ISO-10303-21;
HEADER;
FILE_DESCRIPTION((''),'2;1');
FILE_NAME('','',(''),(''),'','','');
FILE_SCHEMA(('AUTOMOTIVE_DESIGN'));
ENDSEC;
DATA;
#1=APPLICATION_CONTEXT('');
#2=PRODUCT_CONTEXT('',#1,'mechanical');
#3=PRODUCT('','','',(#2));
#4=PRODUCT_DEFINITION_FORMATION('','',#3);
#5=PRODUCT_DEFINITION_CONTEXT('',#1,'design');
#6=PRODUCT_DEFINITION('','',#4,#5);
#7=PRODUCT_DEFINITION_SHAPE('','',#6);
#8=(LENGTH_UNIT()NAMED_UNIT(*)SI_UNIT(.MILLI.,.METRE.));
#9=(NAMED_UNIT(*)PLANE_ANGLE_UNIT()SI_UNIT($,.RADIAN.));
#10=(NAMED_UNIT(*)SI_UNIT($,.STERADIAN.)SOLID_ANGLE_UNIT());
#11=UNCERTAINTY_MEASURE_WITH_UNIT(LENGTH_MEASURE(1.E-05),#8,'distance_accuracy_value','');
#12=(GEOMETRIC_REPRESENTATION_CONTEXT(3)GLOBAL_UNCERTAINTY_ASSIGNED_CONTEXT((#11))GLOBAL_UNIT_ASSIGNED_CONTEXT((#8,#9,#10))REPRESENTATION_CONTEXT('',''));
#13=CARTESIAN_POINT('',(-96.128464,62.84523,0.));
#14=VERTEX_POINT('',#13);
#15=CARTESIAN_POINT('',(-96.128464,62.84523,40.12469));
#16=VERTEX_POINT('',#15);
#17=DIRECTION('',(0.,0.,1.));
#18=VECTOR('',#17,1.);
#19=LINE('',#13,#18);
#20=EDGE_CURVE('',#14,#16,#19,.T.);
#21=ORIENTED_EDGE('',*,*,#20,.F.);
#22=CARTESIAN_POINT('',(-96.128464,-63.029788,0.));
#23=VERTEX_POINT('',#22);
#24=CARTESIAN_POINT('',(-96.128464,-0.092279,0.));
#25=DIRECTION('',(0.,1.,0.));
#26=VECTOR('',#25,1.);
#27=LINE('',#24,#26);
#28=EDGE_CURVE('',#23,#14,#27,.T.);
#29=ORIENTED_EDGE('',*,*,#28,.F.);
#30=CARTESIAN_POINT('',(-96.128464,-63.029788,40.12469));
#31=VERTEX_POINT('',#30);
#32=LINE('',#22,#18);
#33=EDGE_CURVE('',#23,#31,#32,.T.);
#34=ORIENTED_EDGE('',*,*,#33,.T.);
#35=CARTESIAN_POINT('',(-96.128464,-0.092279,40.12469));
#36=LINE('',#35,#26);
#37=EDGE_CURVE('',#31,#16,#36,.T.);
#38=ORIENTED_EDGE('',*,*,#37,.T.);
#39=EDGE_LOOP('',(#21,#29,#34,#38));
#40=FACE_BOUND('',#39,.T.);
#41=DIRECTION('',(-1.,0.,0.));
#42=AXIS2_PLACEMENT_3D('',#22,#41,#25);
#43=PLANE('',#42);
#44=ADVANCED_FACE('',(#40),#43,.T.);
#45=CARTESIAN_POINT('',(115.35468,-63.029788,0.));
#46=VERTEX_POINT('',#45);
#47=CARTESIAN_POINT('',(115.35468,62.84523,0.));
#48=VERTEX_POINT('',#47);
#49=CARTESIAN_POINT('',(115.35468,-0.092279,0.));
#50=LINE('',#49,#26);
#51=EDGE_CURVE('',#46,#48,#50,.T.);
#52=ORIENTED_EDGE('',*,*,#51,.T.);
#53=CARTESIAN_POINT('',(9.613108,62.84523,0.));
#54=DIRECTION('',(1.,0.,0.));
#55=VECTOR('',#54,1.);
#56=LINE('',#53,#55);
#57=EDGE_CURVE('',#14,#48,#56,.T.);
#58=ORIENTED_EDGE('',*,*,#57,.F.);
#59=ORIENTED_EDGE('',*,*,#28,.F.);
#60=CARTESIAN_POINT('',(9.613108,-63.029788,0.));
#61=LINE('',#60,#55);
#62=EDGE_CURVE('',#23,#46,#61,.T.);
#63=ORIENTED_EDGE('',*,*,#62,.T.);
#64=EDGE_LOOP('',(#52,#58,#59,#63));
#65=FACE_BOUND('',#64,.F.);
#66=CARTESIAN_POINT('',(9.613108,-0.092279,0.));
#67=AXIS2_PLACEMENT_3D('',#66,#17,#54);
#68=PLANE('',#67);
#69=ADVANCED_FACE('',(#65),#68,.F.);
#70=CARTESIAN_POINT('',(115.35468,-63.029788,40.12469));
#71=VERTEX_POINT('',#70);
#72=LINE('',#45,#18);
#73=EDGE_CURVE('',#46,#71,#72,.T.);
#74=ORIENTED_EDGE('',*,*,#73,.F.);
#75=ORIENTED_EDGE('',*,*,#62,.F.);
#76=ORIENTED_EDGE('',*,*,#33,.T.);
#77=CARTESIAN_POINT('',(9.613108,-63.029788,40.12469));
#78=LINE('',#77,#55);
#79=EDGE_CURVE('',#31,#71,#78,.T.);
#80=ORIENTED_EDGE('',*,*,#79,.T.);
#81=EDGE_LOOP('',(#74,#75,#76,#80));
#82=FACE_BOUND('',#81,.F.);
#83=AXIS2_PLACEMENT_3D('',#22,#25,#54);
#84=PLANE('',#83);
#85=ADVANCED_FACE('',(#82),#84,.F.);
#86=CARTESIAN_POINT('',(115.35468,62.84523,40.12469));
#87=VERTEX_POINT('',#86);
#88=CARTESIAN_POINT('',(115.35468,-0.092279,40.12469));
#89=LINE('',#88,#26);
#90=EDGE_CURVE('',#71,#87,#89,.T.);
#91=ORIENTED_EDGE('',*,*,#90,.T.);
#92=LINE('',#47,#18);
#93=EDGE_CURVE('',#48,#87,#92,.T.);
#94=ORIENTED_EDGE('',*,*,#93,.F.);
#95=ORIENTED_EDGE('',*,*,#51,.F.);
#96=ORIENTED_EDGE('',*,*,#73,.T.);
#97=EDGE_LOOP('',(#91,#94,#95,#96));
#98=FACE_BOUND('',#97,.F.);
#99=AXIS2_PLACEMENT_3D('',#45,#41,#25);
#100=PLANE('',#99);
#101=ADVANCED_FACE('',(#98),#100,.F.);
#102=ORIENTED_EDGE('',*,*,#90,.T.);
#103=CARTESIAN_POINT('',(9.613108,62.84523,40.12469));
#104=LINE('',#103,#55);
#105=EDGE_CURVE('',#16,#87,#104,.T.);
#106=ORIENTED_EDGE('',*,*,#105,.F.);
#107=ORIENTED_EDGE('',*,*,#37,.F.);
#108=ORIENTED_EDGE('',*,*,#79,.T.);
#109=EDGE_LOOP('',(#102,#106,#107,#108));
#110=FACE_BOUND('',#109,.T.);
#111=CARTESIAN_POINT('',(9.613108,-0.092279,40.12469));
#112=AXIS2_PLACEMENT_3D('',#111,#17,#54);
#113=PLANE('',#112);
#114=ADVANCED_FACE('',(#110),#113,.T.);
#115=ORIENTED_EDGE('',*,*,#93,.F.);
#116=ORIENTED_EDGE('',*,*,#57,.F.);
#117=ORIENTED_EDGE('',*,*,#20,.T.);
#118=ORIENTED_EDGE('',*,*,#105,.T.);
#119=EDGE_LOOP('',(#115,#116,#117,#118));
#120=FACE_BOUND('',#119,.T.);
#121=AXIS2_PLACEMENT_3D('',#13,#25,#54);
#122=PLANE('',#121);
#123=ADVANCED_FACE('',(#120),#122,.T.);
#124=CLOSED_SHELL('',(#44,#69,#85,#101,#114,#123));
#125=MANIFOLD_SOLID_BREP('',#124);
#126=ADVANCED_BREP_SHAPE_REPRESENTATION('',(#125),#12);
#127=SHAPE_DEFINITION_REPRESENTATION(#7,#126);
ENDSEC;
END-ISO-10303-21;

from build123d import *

# Parameters (mm, degrees)
F3_DEPTH = 20.32
F4_DEPTH = 30.48
F0_W     = 211.483144
F0_H     = 125.875018
F5_DEPTH = 40.12469


with BuildPart() as f3:
    # F1 (on Top) → F3 (new body)
    with BuildSketch(Plane.XY):
        Polygon((0, 45.720275), (-4.140248, 45.720275), (-4.144755, -45.720518), (0, -45.720518), (0, -38.86215), (66.039294, -38.86215), (66.039294, 38.862053), (0, 38.862053), align=None)
    extrude(amount=F3_DEPTH)

    # F2 (on Top) → F4 (join)
    with BuildSketch(Plane.XY):
        Polygon((-21.086555, -45.719682), (-4.144755, -45.720518), (-4.140248, 45.720275), (-21.082048, 45.720275), (-21.082048, 55.880275), (-46.482048, 55.880275), (-46.482548, 45.720276), (-66.040048, 45.72124), (-66.044555, -45.717466), (-46.486555, -45.71843), (-46.487056, -55.87843), (-21.087056, -55.879682), align=None)
    extrude(amount=F4_DEPTH)

    # F0 (on Top) → F5 (join)
    with BuildSketch(Plane.XY):
        with Locations((9.613108, -0.092279)):
            Rectangle(F0_W, F0_H)
    extrude(amount=F5_DEPTH)


solid = f3.part
